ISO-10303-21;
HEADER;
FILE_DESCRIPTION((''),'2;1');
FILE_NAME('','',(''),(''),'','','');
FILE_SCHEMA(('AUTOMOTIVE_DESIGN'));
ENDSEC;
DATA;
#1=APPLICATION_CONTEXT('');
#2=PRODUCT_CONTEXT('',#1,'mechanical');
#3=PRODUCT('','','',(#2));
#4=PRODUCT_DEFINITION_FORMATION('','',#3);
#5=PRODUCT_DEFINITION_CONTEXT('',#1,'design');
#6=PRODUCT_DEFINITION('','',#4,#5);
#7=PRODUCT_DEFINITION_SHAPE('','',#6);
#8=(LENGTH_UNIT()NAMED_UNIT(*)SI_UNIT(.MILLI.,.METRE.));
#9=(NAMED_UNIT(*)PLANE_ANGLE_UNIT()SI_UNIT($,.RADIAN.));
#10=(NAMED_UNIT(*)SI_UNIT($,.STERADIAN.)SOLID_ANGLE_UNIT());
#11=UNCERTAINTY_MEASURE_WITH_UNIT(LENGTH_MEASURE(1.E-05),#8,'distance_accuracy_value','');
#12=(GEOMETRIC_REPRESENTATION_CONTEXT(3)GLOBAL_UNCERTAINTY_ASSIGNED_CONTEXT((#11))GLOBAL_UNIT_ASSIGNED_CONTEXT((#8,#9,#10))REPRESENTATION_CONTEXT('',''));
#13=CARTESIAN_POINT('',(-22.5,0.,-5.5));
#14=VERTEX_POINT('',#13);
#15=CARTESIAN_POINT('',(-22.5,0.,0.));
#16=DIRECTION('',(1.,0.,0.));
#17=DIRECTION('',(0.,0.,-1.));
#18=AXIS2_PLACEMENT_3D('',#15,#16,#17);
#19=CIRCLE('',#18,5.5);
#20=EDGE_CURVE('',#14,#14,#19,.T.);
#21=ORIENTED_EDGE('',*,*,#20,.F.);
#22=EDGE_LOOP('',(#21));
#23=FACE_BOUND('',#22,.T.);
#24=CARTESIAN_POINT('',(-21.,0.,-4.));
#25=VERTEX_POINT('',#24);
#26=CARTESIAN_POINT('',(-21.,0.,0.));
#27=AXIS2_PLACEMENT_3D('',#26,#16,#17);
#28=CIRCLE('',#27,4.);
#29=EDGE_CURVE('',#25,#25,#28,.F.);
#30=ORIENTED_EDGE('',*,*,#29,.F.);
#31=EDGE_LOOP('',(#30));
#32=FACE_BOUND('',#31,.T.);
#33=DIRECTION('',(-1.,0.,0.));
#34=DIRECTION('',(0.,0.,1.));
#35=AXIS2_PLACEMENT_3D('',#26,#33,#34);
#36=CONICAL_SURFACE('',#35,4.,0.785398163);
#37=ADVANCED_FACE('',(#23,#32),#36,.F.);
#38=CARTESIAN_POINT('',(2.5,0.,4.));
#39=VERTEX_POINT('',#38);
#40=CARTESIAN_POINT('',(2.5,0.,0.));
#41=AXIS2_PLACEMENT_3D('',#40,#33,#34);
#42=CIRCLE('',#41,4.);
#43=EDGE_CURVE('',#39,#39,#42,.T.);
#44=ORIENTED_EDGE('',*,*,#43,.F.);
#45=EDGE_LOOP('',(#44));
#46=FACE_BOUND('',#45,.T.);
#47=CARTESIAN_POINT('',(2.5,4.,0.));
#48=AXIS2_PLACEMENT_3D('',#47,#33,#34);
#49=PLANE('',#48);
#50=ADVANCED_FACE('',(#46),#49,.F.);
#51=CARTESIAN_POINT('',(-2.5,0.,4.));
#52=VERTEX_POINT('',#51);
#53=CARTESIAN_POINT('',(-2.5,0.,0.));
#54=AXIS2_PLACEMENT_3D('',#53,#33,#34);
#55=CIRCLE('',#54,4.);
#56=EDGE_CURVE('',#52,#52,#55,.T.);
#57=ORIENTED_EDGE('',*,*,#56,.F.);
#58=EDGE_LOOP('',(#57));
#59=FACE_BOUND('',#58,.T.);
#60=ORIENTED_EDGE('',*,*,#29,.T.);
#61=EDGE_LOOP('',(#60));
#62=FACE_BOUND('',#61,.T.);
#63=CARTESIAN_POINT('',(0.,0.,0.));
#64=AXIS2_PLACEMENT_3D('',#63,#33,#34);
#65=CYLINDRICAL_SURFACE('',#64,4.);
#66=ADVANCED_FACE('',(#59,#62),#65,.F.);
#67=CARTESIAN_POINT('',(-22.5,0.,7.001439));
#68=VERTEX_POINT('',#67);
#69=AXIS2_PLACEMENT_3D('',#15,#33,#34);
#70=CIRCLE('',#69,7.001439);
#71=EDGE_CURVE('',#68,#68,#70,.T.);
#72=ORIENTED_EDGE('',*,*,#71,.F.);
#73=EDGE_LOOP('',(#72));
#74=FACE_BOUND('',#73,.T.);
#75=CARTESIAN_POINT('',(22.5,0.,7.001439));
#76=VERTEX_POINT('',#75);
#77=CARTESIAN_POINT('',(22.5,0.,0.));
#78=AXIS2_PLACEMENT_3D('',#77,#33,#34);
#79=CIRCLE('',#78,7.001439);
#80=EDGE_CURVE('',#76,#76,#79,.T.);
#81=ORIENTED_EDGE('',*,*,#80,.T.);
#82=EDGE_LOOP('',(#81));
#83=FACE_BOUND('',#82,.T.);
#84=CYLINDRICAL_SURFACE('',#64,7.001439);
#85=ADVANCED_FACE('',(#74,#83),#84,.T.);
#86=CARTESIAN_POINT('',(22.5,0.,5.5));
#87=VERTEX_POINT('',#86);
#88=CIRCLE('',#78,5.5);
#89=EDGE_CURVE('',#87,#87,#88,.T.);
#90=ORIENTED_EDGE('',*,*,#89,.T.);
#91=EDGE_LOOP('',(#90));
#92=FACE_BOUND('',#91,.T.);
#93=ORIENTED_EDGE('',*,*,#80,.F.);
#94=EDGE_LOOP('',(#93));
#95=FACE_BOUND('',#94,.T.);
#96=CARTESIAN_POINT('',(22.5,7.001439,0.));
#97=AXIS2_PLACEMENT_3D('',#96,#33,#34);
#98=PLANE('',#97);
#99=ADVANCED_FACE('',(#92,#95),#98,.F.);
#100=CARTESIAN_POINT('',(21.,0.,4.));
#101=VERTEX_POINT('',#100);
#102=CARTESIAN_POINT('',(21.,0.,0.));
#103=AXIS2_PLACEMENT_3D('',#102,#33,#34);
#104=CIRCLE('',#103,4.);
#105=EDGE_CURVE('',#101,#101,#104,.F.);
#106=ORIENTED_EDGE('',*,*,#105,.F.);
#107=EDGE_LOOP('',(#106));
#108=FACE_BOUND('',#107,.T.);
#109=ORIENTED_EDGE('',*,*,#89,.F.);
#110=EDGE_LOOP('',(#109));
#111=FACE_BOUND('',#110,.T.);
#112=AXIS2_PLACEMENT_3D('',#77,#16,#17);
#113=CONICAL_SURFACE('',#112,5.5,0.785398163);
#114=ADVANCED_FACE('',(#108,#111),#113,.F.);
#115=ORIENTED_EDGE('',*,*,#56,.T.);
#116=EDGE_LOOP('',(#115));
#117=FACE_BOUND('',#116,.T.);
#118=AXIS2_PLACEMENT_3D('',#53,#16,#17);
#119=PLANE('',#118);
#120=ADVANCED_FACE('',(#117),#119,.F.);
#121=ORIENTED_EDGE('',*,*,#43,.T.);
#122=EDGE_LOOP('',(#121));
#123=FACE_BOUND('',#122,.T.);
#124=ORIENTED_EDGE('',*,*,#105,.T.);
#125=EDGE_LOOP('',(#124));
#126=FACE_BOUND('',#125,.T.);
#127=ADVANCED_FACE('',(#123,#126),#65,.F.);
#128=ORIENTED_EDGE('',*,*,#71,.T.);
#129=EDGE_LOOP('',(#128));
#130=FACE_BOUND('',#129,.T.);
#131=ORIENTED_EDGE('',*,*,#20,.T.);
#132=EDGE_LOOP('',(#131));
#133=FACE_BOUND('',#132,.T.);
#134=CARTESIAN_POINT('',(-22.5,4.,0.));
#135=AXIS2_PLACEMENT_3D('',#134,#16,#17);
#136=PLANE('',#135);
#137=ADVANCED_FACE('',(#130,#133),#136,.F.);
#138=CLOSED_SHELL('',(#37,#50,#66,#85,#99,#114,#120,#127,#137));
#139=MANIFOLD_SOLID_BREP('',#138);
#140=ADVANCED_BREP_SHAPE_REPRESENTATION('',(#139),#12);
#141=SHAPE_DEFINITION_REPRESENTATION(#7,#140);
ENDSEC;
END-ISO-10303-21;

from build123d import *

# Parameters (mm, degrees)
CHAMFER1_SIZE = 1.5


with BuildPart() as part:
    # Sketch1 → Revolve1 (revolve)
    with BuildSketch(Plane.XY, mode=Mode.PRIVATE) as revolve1_sk:
        Polygon((-2.5, 0), (-2.5, 4), (-22.5, 4), (-22.5, 7.00143885), (22.5, 7.00143885), (22.5, 4), (2.5, 4), (2.5, 0), align=None)
    revolve(revolve1_sk.sketch.rotate(Axis((0, 0, 0), (1, 0, 0)), 90), axis=Axis((0, 0, 0), (1, 0, 0)))

    # Chamfer1
    chamfer1_edges = [part.edges().sort_by_distance(p)[0] for p in [
        (22.5, 0, -4),
        (-22.5, 0, -4),
    ]]
    chamfer(chamfer1_edges, length=CHAMFER1_SIZE)


solid = part.part
